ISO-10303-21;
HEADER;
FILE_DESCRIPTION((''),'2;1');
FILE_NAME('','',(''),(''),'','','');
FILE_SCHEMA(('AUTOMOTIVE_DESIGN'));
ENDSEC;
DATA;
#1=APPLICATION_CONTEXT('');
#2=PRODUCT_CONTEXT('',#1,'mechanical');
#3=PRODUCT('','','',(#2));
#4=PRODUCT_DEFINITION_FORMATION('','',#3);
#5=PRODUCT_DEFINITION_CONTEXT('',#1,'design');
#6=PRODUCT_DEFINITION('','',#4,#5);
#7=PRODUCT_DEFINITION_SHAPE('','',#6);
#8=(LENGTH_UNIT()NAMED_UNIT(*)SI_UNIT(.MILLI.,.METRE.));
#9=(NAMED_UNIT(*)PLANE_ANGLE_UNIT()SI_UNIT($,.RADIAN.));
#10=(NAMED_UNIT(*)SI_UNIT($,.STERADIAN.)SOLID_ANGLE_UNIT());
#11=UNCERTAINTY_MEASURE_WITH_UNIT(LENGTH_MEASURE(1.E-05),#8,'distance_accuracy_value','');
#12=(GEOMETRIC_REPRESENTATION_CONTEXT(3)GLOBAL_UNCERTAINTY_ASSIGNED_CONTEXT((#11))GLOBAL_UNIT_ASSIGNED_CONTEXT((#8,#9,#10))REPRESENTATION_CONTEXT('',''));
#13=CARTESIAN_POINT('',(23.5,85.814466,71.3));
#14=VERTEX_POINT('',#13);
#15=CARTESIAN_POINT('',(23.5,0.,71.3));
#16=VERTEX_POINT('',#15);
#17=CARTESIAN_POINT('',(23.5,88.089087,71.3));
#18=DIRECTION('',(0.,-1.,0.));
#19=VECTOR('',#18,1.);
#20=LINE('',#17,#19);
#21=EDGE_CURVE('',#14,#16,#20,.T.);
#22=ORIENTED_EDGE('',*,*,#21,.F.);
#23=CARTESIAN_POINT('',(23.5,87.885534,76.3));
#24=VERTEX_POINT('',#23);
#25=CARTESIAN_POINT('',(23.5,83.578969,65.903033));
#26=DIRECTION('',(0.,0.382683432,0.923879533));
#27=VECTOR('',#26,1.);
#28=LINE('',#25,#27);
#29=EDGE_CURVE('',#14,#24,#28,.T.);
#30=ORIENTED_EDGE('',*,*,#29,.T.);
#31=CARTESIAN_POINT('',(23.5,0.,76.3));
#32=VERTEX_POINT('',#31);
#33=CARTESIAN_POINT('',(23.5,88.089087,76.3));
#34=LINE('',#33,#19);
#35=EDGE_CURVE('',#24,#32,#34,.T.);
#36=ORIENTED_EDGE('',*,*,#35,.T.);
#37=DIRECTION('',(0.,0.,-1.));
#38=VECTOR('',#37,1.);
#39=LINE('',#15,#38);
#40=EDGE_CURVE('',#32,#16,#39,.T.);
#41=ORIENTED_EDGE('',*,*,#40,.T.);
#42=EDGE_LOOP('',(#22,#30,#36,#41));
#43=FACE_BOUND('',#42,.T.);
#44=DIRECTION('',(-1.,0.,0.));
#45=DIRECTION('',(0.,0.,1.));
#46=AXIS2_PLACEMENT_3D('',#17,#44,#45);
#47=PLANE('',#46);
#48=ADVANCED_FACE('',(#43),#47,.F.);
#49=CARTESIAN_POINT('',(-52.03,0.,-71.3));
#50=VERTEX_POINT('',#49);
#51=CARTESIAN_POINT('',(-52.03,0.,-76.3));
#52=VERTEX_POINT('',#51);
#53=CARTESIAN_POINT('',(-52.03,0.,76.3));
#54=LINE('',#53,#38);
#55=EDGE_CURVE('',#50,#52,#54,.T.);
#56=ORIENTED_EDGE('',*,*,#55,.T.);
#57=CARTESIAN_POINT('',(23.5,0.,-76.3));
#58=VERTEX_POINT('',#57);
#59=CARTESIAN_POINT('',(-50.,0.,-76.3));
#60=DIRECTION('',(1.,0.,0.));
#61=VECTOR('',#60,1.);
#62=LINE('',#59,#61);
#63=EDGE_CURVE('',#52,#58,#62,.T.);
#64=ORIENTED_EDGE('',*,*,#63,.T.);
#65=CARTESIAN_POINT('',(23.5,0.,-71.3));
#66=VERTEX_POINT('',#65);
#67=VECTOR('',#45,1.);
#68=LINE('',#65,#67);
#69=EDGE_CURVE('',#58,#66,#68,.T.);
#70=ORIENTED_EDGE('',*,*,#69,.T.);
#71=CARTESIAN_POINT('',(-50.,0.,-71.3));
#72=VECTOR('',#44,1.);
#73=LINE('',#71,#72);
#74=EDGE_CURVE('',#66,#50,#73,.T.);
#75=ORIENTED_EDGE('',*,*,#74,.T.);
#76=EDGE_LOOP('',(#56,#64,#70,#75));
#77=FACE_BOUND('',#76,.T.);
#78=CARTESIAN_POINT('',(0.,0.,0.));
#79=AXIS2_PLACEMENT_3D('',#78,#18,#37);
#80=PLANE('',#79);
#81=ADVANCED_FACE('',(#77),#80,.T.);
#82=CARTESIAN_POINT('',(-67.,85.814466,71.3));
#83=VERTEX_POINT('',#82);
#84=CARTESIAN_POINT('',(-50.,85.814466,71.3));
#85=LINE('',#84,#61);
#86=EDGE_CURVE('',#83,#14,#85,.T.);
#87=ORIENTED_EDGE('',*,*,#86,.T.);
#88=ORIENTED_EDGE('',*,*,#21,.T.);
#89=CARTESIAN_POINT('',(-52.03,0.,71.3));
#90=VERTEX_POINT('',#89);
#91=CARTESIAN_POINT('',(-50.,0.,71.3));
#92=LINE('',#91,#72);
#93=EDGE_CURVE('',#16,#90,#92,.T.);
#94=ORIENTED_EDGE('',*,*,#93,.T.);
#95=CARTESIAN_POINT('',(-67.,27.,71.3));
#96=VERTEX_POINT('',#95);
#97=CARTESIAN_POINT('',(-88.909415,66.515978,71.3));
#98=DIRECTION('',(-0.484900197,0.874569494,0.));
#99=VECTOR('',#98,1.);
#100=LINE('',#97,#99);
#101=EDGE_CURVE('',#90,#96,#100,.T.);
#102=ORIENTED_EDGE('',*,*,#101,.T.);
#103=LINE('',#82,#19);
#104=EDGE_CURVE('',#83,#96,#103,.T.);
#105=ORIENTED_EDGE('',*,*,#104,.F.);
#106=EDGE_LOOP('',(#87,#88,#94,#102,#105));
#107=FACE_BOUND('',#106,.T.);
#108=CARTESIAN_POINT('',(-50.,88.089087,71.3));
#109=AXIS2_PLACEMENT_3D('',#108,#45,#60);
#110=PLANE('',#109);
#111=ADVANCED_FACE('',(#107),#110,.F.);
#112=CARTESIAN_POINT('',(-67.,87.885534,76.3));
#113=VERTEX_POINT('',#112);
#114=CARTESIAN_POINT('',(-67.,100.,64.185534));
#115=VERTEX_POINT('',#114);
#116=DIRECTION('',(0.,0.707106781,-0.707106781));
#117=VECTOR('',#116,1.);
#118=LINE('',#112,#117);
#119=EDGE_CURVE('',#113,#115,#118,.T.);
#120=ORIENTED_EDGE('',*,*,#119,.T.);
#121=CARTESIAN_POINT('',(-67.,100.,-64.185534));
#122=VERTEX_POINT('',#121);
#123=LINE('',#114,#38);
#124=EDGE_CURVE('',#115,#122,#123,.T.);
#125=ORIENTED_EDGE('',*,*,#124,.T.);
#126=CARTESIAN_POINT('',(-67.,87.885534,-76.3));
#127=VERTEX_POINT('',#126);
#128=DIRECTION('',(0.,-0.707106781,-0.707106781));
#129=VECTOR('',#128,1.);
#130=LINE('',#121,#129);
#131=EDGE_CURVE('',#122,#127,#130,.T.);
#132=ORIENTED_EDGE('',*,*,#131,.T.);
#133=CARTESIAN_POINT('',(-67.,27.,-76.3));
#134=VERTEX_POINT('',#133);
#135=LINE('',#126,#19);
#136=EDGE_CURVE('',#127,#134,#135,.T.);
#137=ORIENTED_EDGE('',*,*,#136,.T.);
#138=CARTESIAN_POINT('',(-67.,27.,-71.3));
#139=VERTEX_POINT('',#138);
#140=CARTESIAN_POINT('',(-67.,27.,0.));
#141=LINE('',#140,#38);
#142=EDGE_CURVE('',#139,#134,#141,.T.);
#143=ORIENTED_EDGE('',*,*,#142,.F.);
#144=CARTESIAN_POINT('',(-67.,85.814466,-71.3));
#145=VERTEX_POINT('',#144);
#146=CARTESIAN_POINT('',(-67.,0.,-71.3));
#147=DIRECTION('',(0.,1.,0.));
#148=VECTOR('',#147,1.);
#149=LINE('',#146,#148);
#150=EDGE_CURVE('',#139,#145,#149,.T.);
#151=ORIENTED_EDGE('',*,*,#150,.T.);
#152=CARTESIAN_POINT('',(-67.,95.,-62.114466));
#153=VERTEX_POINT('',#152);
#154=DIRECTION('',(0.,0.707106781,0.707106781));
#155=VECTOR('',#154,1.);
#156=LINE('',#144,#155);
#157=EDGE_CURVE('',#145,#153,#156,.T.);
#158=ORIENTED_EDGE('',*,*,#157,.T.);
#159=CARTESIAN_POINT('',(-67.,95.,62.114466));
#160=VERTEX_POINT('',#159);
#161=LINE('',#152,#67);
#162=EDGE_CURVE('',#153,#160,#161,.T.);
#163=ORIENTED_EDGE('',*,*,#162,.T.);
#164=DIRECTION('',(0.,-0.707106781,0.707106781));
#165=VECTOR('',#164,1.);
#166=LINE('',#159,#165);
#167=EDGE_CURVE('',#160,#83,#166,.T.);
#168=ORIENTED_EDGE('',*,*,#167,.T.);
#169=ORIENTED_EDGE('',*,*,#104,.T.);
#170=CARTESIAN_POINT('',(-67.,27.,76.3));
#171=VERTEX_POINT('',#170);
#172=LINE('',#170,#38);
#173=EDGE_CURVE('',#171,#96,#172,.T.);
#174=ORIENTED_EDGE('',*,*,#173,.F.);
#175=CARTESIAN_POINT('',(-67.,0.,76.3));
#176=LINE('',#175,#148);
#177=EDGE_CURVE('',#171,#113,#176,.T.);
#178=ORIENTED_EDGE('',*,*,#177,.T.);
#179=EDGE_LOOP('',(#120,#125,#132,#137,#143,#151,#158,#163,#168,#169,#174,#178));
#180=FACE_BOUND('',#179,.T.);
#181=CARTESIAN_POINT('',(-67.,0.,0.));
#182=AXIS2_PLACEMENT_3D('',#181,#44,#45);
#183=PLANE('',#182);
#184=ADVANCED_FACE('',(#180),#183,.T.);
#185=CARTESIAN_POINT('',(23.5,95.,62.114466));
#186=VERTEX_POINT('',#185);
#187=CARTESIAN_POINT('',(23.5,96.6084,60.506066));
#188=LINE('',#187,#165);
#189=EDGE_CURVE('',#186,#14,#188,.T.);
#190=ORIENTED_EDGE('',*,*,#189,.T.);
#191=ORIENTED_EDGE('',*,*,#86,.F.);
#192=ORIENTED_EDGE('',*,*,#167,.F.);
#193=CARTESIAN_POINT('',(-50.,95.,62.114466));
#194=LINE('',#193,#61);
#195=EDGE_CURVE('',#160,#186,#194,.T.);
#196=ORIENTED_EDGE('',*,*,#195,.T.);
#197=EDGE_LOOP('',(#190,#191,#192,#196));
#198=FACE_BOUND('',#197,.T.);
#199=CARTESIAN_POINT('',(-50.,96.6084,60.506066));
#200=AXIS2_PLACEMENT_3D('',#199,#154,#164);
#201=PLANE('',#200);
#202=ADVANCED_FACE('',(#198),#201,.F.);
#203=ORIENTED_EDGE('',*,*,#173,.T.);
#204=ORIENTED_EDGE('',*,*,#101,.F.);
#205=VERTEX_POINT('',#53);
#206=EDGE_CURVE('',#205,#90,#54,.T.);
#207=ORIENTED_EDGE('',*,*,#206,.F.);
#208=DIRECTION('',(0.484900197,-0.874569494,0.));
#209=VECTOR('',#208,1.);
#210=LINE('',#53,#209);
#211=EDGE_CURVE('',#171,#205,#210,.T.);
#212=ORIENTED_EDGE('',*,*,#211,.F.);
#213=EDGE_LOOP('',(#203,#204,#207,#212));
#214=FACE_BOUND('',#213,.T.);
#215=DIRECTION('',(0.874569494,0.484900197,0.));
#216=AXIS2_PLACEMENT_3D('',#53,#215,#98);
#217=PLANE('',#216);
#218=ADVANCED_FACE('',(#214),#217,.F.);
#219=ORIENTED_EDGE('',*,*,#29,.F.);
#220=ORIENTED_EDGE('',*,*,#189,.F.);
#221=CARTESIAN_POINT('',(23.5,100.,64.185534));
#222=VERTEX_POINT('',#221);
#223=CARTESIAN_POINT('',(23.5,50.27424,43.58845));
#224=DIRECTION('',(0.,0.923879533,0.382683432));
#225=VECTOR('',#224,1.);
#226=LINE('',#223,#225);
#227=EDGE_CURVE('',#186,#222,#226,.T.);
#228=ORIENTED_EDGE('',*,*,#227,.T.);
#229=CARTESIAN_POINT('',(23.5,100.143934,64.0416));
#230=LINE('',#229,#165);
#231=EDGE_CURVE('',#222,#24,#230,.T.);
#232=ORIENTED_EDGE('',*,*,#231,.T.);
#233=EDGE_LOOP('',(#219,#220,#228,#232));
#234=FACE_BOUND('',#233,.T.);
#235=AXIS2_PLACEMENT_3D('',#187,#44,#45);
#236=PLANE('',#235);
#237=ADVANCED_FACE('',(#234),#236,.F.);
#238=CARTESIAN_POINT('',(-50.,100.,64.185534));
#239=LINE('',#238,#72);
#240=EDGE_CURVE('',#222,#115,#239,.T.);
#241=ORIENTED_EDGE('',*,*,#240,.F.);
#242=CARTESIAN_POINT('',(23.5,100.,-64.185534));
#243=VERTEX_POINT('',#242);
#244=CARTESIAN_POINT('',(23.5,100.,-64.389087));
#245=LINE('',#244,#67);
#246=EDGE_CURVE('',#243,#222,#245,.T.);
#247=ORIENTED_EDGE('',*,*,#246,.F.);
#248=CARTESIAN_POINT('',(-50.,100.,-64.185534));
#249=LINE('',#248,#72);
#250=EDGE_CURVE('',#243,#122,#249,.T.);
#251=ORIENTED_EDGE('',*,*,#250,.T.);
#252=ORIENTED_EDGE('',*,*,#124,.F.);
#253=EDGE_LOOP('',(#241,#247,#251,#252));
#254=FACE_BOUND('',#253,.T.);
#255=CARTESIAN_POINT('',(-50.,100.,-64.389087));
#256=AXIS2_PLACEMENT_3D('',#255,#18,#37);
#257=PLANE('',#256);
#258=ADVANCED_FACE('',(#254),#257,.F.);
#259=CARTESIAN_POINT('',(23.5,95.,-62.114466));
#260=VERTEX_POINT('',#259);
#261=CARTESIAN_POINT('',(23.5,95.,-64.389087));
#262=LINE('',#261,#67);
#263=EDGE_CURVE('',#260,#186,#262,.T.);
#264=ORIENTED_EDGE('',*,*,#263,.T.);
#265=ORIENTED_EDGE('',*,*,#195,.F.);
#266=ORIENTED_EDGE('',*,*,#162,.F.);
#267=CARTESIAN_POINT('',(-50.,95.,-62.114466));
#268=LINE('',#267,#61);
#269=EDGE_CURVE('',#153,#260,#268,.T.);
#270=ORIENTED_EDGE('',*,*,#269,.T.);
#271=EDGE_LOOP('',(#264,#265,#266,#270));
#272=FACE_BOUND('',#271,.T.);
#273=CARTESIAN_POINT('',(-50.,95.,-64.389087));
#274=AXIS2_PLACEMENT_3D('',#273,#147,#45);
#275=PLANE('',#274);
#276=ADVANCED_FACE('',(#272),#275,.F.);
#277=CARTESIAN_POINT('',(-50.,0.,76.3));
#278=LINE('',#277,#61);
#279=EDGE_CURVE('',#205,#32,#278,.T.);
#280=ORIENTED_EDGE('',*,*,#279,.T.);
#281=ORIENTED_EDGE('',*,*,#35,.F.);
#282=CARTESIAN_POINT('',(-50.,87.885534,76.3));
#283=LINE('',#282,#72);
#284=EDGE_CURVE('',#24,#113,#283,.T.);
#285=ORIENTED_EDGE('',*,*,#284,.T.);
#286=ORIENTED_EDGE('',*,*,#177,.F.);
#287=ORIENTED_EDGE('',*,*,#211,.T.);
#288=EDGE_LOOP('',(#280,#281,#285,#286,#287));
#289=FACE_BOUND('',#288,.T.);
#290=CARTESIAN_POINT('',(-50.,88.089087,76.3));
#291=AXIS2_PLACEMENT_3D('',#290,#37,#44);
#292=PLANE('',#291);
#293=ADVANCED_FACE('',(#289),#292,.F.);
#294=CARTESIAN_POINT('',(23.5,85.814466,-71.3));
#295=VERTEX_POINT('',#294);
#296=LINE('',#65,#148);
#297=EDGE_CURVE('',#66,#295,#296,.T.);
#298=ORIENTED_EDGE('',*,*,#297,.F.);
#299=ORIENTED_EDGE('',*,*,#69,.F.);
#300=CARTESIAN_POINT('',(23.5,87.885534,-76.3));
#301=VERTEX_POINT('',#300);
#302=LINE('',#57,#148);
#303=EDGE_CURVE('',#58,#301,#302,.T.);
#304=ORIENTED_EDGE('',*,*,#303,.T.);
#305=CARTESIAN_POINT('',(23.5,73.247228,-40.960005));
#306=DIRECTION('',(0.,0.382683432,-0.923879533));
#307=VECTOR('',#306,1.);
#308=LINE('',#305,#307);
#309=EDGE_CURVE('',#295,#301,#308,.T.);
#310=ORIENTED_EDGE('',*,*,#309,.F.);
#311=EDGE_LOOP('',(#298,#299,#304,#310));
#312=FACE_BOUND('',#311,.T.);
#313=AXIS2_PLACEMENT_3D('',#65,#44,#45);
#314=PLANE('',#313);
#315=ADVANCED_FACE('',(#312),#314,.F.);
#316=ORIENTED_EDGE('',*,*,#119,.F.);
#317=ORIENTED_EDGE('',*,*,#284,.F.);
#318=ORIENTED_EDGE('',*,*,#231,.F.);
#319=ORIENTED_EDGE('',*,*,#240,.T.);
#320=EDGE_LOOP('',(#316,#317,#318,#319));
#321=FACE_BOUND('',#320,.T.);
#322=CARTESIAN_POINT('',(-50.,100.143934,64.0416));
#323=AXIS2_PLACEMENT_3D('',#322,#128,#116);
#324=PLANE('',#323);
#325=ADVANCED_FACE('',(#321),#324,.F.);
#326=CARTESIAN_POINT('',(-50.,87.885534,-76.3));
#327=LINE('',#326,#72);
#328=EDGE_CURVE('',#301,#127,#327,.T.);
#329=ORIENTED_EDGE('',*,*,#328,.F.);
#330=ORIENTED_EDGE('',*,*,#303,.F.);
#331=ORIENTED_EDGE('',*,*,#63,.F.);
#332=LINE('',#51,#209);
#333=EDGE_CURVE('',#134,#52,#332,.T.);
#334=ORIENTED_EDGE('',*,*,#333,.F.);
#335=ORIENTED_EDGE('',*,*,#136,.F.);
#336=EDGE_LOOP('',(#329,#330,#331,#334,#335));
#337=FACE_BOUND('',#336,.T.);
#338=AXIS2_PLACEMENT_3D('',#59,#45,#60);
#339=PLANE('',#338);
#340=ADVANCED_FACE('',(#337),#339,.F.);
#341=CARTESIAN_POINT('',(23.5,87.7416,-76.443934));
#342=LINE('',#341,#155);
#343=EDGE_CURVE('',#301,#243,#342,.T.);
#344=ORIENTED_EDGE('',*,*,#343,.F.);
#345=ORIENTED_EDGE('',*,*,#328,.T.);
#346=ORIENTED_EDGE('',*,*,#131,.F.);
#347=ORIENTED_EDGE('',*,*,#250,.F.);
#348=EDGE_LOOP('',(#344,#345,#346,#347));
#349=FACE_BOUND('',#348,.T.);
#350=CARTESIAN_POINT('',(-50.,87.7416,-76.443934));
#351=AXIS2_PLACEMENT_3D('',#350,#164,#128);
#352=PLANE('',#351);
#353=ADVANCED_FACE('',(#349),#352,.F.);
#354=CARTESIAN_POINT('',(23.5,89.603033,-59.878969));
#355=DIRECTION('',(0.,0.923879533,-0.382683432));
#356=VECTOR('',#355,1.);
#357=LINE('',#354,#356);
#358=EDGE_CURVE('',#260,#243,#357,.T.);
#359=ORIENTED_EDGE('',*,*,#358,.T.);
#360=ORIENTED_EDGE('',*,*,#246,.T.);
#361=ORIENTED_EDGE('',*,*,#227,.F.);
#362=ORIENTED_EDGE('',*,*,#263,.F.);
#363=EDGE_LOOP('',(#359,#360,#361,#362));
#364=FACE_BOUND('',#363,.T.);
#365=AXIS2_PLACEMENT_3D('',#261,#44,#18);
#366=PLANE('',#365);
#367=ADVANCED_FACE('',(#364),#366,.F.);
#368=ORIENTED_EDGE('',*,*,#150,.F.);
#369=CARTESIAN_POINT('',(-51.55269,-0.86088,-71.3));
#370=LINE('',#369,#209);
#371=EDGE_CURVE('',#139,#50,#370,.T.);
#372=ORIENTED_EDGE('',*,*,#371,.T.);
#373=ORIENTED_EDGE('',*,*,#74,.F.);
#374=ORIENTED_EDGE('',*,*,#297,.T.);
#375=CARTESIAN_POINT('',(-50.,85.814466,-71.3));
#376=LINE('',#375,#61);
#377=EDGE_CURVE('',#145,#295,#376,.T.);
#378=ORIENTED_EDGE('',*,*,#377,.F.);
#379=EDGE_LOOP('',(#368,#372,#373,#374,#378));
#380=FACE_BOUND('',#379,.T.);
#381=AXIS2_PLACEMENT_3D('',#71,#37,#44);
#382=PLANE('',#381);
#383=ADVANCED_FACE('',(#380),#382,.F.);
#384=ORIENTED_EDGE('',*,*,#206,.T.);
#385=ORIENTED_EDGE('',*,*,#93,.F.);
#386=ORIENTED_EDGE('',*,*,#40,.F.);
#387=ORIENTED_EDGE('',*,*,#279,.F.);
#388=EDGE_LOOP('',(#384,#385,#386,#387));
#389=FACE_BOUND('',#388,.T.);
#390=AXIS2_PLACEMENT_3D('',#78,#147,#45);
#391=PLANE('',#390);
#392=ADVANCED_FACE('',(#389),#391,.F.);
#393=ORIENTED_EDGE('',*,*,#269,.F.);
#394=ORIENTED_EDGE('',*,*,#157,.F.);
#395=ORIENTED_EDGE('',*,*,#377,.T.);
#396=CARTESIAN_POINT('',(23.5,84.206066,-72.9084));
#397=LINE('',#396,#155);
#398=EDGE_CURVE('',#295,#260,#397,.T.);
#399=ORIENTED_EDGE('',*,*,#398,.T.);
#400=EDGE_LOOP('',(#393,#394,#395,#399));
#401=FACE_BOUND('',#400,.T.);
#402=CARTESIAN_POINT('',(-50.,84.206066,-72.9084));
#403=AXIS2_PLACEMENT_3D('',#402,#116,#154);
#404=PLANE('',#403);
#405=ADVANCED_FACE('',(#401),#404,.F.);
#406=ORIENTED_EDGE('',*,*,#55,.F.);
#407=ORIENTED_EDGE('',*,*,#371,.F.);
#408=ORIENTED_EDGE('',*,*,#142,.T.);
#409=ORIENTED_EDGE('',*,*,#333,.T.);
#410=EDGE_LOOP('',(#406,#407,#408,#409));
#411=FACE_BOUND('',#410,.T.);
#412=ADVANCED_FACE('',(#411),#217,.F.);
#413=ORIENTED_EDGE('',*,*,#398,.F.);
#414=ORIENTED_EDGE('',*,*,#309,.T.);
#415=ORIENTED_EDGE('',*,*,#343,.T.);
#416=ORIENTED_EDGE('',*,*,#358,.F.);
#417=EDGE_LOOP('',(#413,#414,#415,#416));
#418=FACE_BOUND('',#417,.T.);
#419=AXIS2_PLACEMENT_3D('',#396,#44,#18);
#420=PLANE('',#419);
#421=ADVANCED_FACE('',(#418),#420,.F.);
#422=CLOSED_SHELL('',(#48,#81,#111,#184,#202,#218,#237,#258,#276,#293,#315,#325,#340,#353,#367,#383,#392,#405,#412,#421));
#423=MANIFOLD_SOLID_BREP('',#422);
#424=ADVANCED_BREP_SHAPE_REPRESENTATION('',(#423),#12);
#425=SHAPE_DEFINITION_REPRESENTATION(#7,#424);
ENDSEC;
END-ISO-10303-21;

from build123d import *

# Parameters (mm, degrees)
SKETCH1_W           = 73.5
SKETCH1_H           = 5
BOSS_EXTRUDE1_DEPTH = 17
CUT_EXTRUDE1_DEPTH  = 195.359872402


with BuildPart() as part:
    # Sweep3: sweep along a path in Sketch2
    with BuildLine(Plane(origin=(0, 0, 0), x_dir=(0, 0, -1), z_dir=(1, 0, 0))) as sweep3_path:
        Line((-73.8, 0), (-73.8, 86.85))
        Line((-73.8, 86.85), (-63.15, 97.5))
        Line((-63.15, 97.5), (63.15, 97.5))
        Line((63.15, 97.5), (73.8, 86.85))
        Line((73.8, 86.85), (73.8, 0))
    # Sketch1 → Sweep3 (sweep)
    with BuildSketch(Plane(origin=(0, 0, 0), x_dir=(1, 0, 0), z_dir=(0, 1, 0))):
        with Locations((-13.25, -73.8)):
            Rectangle(SKETCH1_W, SKETCH1_H)
    sweep(path=sweep3_path.line, transition=Transition.RIGHT)

    # Sketch5 → Boss-Extrude1 (add)
    with BuildSketch(Plane.ZY.offset(50)):
        Polygon((-76.3, 0), (-71.3, 0), (-71.3, 85.814466094), (-62.114466094, 95), (62.114466094, 95), (71.3, 85.814466094), (71.3, 0), (76.3, 0), (76.3, 87.885533906), (64.185533906, 100), (-64.185533906, 100), (-76.3, 87.885533906), align=None)
    extrude(amount=BOSS_EXTRUDE1_DEPTH)

    # Sketch6 → Cut-Extrude1 (cut, through all)
    with BuildSketch(Plane(origin=(0, 0, -76.3), x_dir=(-1, 0, 0), z_dir=(0, 0, -1))):
        Polygon((52.03, 0), (67, 27), (67, 0), align=None)
    extrude(amount=-CUT_EXTRUDE1_DEPTH, mode=Mode.SUBTRACT)


solid = part.part
